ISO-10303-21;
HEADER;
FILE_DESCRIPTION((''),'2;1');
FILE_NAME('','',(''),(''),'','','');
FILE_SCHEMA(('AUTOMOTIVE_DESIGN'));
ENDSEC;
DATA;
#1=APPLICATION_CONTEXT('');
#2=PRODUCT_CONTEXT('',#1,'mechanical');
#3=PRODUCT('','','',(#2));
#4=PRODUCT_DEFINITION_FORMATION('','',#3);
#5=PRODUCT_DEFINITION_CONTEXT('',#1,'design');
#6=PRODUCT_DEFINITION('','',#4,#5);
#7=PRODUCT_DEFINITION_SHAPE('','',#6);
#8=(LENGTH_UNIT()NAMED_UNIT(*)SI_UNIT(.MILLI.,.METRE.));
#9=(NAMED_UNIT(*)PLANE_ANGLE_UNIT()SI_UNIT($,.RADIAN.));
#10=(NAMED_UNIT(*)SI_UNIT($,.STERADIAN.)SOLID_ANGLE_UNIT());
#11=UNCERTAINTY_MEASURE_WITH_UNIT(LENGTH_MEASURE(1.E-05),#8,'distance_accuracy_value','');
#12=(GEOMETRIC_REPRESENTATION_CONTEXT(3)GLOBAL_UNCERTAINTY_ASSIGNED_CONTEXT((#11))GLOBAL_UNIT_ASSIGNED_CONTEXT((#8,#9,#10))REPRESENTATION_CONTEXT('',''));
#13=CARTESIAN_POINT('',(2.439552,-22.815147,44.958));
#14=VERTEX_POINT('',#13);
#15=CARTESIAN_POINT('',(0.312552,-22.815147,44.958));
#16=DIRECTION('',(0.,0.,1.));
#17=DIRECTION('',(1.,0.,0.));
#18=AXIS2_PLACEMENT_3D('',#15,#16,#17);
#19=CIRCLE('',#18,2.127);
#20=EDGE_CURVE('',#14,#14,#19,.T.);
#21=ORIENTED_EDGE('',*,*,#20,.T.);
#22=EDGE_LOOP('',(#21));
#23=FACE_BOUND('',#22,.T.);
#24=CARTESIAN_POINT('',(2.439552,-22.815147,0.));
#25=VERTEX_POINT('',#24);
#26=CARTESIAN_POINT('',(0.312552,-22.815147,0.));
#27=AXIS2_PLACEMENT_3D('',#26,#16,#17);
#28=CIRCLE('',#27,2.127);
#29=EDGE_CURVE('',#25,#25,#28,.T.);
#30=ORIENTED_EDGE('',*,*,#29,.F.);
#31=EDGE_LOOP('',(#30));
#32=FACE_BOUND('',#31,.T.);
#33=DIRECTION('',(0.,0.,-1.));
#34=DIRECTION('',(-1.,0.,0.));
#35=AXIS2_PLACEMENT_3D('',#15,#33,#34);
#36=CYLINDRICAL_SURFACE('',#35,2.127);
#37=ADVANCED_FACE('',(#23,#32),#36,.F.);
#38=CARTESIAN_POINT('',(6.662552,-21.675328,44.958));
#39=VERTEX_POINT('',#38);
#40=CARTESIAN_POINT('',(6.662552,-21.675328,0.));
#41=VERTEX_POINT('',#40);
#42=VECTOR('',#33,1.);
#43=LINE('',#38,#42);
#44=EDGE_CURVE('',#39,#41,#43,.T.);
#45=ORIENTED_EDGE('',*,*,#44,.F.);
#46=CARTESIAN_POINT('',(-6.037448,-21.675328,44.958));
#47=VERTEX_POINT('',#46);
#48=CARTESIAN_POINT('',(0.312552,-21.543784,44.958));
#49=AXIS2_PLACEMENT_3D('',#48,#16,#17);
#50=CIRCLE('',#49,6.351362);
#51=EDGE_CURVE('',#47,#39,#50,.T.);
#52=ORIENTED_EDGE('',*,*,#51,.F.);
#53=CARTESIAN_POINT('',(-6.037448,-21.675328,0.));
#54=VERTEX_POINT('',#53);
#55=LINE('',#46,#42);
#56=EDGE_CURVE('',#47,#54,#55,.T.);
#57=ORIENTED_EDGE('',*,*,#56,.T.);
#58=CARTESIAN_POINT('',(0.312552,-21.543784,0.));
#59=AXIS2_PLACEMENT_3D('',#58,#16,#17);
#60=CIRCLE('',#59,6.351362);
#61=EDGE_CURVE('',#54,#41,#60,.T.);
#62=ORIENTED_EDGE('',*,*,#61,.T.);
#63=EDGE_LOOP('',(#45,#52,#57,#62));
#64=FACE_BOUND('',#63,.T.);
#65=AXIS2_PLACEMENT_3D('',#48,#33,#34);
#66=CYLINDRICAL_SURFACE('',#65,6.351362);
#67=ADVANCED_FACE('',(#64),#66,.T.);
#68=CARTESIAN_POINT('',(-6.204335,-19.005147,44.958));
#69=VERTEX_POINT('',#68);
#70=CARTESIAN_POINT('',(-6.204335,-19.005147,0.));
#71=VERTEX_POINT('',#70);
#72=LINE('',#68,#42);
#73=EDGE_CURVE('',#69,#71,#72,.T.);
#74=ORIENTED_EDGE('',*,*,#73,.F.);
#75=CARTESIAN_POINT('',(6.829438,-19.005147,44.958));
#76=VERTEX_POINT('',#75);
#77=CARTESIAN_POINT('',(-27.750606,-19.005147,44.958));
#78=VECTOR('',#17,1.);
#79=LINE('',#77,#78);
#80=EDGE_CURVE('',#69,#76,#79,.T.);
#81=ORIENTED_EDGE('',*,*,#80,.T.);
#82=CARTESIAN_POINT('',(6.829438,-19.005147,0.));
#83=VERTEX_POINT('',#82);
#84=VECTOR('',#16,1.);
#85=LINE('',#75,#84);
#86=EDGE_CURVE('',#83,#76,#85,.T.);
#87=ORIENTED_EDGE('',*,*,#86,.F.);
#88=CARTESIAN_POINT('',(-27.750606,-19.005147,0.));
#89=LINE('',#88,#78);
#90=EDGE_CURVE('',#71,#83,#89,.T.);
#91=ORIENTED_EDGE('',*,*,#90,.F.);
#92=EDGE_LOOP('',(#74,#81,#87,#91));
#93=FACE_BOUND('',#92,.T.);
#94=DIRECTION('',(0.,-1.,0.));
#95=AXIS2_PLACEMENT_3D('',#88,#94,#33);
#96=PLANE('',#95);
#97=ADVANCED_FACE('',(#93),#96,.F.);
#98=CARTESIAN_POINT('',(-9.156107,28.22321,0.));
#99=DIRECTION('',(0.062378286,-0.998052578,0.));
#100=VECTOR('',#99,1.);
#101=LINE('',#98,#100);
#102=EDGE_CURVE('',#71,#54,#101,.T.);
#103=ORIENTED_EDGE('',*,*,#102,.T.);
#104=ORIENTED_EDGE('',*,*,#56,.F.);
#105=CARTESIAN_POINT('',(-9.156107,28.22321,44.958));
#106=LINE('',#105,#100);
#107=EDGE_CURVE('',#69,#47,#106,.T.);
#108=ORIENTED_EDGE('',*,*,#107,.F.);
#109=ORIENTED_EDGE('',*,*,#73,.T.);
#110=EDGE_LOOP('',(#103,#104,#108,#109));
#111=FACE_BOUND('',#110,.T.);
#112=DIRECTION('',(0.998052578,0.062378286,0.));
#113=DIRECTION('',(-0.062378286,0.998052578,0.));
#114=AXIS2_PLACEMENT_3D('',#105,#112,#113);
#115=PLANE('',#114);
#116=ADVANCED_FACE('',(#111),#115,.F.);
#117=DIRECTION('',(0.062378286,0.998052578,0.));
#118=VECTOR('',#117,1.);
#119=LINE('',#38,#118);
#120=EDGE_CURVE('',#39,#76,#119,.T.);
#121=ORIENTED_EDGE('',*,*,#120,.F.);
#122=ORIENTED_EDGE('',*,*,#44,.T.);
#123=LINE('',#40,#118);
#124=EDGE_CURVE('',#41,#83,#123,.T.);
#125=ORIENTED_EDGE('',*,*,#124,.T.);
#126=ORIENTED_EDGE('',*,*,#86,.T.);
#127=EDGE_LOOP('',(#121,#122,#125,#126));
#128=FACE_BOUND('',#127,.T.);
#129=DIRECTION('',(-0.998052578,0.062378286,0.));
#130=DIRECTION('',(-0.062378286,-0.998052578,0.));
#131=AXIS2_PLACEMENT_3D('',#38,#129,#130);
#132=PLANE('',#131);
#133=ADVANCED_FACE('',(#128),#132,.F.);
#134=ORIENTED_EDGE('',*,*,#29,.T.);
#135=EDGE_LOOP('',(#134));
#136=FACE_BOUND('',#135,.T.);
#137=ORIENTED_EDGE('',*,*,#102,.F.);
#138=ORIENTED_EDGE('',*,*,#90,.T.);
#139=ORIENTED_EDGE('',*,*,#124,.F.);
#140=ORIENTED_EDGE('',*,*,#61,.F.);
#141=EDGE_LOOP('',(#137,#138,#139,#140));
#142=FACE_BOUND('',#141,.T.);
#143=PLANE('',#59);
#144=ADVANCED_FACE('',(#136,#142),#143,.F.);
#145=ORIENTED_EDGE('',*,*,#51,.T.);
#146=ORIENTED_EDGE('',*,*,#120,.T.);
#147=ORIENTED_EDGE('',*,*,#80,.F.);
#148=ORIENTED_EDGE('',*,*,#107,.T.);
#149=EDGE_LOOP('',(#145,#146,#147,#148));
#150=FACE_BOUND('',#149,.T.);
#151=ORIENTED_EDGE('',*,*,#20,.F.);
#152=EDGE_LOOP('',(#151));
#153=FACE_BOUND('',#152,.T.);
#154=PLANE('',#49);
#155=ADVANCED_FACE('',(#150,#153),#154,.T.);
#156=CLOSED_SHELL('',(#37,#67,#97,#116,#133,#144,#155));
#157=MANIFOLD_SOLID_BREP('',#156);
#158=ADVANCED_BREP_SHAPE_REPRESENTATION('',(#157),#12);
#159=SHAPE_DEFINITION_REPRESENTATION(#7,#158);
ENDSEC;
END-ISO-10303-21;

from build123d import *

# Parameters (mm, degrees)
SKETCH1_R           = 2.127
SKETCH1_R_2         = 2.032
BOSS_EXTRUDE1_DEPTH = 44.958
SKETCH2_W           = 61.162711876
SKETCH2_H           = 56.657422832
CUT_EXTRUDE1_DEPTH  = 57.200072865


with BuildPart() as part:
    # Sketch1 → Boss-Extrude1 (new body)
    with BuildSketch(Plane.XY):
        with BuildLine():
            Line((6.662551774, -21.675328207), (9.781210426, 28.223210221))
            ThreePointArc((9.781210426, 28.223210221), (8.75546188, 31.069569496), (5.978630102, 32.270871491))
            Line((5.978630102, 32.270871491), (-5.353526553, 32.270871491))
            ThreePointArc((-5.353526553, 32.270871491), (-8.130358331, 31.069569496), (-9.156106877, 28.223210221))
            Line((-9.156106877, 28.223210221), (-6.037448226, -21.675328207))
            ThreePointArc((-6.037448226, -21.675328207), (0.312551774, -27.895146648), (6.662551774, -21.675328207))
        make_face()
        with Locations((0.312551774, -22.815146648)):
            Circle(SKETCH1_R, mode=Mode.SUBTRACT)
        with Locations((0.312551774, 0.044853352)):
            Circle(SKETCH1_R, mode=Mode.SUBTRACT)
        with Locations((0.312551774, 22.110871491)):
            Circle(SKETCH1_R_2, mode=Mode.SUBTRACT)
    extrude(amount=BOSS_EXTRUDE1_DEPTH)

    # Sketch2 → Cut-Extrude1 (cut, through all)
    with BuildSketch(Plane.XY.offset(44.958)):
        with Locations((2.830749484, 9.323564768)):
            Rectangle(SKETCH2_W, SKETCH2_H)
    extrude(amount=-CUT_EXTRUDE1_DEPTH, mode=Mode.SUBTRACT)


solid = part.part
